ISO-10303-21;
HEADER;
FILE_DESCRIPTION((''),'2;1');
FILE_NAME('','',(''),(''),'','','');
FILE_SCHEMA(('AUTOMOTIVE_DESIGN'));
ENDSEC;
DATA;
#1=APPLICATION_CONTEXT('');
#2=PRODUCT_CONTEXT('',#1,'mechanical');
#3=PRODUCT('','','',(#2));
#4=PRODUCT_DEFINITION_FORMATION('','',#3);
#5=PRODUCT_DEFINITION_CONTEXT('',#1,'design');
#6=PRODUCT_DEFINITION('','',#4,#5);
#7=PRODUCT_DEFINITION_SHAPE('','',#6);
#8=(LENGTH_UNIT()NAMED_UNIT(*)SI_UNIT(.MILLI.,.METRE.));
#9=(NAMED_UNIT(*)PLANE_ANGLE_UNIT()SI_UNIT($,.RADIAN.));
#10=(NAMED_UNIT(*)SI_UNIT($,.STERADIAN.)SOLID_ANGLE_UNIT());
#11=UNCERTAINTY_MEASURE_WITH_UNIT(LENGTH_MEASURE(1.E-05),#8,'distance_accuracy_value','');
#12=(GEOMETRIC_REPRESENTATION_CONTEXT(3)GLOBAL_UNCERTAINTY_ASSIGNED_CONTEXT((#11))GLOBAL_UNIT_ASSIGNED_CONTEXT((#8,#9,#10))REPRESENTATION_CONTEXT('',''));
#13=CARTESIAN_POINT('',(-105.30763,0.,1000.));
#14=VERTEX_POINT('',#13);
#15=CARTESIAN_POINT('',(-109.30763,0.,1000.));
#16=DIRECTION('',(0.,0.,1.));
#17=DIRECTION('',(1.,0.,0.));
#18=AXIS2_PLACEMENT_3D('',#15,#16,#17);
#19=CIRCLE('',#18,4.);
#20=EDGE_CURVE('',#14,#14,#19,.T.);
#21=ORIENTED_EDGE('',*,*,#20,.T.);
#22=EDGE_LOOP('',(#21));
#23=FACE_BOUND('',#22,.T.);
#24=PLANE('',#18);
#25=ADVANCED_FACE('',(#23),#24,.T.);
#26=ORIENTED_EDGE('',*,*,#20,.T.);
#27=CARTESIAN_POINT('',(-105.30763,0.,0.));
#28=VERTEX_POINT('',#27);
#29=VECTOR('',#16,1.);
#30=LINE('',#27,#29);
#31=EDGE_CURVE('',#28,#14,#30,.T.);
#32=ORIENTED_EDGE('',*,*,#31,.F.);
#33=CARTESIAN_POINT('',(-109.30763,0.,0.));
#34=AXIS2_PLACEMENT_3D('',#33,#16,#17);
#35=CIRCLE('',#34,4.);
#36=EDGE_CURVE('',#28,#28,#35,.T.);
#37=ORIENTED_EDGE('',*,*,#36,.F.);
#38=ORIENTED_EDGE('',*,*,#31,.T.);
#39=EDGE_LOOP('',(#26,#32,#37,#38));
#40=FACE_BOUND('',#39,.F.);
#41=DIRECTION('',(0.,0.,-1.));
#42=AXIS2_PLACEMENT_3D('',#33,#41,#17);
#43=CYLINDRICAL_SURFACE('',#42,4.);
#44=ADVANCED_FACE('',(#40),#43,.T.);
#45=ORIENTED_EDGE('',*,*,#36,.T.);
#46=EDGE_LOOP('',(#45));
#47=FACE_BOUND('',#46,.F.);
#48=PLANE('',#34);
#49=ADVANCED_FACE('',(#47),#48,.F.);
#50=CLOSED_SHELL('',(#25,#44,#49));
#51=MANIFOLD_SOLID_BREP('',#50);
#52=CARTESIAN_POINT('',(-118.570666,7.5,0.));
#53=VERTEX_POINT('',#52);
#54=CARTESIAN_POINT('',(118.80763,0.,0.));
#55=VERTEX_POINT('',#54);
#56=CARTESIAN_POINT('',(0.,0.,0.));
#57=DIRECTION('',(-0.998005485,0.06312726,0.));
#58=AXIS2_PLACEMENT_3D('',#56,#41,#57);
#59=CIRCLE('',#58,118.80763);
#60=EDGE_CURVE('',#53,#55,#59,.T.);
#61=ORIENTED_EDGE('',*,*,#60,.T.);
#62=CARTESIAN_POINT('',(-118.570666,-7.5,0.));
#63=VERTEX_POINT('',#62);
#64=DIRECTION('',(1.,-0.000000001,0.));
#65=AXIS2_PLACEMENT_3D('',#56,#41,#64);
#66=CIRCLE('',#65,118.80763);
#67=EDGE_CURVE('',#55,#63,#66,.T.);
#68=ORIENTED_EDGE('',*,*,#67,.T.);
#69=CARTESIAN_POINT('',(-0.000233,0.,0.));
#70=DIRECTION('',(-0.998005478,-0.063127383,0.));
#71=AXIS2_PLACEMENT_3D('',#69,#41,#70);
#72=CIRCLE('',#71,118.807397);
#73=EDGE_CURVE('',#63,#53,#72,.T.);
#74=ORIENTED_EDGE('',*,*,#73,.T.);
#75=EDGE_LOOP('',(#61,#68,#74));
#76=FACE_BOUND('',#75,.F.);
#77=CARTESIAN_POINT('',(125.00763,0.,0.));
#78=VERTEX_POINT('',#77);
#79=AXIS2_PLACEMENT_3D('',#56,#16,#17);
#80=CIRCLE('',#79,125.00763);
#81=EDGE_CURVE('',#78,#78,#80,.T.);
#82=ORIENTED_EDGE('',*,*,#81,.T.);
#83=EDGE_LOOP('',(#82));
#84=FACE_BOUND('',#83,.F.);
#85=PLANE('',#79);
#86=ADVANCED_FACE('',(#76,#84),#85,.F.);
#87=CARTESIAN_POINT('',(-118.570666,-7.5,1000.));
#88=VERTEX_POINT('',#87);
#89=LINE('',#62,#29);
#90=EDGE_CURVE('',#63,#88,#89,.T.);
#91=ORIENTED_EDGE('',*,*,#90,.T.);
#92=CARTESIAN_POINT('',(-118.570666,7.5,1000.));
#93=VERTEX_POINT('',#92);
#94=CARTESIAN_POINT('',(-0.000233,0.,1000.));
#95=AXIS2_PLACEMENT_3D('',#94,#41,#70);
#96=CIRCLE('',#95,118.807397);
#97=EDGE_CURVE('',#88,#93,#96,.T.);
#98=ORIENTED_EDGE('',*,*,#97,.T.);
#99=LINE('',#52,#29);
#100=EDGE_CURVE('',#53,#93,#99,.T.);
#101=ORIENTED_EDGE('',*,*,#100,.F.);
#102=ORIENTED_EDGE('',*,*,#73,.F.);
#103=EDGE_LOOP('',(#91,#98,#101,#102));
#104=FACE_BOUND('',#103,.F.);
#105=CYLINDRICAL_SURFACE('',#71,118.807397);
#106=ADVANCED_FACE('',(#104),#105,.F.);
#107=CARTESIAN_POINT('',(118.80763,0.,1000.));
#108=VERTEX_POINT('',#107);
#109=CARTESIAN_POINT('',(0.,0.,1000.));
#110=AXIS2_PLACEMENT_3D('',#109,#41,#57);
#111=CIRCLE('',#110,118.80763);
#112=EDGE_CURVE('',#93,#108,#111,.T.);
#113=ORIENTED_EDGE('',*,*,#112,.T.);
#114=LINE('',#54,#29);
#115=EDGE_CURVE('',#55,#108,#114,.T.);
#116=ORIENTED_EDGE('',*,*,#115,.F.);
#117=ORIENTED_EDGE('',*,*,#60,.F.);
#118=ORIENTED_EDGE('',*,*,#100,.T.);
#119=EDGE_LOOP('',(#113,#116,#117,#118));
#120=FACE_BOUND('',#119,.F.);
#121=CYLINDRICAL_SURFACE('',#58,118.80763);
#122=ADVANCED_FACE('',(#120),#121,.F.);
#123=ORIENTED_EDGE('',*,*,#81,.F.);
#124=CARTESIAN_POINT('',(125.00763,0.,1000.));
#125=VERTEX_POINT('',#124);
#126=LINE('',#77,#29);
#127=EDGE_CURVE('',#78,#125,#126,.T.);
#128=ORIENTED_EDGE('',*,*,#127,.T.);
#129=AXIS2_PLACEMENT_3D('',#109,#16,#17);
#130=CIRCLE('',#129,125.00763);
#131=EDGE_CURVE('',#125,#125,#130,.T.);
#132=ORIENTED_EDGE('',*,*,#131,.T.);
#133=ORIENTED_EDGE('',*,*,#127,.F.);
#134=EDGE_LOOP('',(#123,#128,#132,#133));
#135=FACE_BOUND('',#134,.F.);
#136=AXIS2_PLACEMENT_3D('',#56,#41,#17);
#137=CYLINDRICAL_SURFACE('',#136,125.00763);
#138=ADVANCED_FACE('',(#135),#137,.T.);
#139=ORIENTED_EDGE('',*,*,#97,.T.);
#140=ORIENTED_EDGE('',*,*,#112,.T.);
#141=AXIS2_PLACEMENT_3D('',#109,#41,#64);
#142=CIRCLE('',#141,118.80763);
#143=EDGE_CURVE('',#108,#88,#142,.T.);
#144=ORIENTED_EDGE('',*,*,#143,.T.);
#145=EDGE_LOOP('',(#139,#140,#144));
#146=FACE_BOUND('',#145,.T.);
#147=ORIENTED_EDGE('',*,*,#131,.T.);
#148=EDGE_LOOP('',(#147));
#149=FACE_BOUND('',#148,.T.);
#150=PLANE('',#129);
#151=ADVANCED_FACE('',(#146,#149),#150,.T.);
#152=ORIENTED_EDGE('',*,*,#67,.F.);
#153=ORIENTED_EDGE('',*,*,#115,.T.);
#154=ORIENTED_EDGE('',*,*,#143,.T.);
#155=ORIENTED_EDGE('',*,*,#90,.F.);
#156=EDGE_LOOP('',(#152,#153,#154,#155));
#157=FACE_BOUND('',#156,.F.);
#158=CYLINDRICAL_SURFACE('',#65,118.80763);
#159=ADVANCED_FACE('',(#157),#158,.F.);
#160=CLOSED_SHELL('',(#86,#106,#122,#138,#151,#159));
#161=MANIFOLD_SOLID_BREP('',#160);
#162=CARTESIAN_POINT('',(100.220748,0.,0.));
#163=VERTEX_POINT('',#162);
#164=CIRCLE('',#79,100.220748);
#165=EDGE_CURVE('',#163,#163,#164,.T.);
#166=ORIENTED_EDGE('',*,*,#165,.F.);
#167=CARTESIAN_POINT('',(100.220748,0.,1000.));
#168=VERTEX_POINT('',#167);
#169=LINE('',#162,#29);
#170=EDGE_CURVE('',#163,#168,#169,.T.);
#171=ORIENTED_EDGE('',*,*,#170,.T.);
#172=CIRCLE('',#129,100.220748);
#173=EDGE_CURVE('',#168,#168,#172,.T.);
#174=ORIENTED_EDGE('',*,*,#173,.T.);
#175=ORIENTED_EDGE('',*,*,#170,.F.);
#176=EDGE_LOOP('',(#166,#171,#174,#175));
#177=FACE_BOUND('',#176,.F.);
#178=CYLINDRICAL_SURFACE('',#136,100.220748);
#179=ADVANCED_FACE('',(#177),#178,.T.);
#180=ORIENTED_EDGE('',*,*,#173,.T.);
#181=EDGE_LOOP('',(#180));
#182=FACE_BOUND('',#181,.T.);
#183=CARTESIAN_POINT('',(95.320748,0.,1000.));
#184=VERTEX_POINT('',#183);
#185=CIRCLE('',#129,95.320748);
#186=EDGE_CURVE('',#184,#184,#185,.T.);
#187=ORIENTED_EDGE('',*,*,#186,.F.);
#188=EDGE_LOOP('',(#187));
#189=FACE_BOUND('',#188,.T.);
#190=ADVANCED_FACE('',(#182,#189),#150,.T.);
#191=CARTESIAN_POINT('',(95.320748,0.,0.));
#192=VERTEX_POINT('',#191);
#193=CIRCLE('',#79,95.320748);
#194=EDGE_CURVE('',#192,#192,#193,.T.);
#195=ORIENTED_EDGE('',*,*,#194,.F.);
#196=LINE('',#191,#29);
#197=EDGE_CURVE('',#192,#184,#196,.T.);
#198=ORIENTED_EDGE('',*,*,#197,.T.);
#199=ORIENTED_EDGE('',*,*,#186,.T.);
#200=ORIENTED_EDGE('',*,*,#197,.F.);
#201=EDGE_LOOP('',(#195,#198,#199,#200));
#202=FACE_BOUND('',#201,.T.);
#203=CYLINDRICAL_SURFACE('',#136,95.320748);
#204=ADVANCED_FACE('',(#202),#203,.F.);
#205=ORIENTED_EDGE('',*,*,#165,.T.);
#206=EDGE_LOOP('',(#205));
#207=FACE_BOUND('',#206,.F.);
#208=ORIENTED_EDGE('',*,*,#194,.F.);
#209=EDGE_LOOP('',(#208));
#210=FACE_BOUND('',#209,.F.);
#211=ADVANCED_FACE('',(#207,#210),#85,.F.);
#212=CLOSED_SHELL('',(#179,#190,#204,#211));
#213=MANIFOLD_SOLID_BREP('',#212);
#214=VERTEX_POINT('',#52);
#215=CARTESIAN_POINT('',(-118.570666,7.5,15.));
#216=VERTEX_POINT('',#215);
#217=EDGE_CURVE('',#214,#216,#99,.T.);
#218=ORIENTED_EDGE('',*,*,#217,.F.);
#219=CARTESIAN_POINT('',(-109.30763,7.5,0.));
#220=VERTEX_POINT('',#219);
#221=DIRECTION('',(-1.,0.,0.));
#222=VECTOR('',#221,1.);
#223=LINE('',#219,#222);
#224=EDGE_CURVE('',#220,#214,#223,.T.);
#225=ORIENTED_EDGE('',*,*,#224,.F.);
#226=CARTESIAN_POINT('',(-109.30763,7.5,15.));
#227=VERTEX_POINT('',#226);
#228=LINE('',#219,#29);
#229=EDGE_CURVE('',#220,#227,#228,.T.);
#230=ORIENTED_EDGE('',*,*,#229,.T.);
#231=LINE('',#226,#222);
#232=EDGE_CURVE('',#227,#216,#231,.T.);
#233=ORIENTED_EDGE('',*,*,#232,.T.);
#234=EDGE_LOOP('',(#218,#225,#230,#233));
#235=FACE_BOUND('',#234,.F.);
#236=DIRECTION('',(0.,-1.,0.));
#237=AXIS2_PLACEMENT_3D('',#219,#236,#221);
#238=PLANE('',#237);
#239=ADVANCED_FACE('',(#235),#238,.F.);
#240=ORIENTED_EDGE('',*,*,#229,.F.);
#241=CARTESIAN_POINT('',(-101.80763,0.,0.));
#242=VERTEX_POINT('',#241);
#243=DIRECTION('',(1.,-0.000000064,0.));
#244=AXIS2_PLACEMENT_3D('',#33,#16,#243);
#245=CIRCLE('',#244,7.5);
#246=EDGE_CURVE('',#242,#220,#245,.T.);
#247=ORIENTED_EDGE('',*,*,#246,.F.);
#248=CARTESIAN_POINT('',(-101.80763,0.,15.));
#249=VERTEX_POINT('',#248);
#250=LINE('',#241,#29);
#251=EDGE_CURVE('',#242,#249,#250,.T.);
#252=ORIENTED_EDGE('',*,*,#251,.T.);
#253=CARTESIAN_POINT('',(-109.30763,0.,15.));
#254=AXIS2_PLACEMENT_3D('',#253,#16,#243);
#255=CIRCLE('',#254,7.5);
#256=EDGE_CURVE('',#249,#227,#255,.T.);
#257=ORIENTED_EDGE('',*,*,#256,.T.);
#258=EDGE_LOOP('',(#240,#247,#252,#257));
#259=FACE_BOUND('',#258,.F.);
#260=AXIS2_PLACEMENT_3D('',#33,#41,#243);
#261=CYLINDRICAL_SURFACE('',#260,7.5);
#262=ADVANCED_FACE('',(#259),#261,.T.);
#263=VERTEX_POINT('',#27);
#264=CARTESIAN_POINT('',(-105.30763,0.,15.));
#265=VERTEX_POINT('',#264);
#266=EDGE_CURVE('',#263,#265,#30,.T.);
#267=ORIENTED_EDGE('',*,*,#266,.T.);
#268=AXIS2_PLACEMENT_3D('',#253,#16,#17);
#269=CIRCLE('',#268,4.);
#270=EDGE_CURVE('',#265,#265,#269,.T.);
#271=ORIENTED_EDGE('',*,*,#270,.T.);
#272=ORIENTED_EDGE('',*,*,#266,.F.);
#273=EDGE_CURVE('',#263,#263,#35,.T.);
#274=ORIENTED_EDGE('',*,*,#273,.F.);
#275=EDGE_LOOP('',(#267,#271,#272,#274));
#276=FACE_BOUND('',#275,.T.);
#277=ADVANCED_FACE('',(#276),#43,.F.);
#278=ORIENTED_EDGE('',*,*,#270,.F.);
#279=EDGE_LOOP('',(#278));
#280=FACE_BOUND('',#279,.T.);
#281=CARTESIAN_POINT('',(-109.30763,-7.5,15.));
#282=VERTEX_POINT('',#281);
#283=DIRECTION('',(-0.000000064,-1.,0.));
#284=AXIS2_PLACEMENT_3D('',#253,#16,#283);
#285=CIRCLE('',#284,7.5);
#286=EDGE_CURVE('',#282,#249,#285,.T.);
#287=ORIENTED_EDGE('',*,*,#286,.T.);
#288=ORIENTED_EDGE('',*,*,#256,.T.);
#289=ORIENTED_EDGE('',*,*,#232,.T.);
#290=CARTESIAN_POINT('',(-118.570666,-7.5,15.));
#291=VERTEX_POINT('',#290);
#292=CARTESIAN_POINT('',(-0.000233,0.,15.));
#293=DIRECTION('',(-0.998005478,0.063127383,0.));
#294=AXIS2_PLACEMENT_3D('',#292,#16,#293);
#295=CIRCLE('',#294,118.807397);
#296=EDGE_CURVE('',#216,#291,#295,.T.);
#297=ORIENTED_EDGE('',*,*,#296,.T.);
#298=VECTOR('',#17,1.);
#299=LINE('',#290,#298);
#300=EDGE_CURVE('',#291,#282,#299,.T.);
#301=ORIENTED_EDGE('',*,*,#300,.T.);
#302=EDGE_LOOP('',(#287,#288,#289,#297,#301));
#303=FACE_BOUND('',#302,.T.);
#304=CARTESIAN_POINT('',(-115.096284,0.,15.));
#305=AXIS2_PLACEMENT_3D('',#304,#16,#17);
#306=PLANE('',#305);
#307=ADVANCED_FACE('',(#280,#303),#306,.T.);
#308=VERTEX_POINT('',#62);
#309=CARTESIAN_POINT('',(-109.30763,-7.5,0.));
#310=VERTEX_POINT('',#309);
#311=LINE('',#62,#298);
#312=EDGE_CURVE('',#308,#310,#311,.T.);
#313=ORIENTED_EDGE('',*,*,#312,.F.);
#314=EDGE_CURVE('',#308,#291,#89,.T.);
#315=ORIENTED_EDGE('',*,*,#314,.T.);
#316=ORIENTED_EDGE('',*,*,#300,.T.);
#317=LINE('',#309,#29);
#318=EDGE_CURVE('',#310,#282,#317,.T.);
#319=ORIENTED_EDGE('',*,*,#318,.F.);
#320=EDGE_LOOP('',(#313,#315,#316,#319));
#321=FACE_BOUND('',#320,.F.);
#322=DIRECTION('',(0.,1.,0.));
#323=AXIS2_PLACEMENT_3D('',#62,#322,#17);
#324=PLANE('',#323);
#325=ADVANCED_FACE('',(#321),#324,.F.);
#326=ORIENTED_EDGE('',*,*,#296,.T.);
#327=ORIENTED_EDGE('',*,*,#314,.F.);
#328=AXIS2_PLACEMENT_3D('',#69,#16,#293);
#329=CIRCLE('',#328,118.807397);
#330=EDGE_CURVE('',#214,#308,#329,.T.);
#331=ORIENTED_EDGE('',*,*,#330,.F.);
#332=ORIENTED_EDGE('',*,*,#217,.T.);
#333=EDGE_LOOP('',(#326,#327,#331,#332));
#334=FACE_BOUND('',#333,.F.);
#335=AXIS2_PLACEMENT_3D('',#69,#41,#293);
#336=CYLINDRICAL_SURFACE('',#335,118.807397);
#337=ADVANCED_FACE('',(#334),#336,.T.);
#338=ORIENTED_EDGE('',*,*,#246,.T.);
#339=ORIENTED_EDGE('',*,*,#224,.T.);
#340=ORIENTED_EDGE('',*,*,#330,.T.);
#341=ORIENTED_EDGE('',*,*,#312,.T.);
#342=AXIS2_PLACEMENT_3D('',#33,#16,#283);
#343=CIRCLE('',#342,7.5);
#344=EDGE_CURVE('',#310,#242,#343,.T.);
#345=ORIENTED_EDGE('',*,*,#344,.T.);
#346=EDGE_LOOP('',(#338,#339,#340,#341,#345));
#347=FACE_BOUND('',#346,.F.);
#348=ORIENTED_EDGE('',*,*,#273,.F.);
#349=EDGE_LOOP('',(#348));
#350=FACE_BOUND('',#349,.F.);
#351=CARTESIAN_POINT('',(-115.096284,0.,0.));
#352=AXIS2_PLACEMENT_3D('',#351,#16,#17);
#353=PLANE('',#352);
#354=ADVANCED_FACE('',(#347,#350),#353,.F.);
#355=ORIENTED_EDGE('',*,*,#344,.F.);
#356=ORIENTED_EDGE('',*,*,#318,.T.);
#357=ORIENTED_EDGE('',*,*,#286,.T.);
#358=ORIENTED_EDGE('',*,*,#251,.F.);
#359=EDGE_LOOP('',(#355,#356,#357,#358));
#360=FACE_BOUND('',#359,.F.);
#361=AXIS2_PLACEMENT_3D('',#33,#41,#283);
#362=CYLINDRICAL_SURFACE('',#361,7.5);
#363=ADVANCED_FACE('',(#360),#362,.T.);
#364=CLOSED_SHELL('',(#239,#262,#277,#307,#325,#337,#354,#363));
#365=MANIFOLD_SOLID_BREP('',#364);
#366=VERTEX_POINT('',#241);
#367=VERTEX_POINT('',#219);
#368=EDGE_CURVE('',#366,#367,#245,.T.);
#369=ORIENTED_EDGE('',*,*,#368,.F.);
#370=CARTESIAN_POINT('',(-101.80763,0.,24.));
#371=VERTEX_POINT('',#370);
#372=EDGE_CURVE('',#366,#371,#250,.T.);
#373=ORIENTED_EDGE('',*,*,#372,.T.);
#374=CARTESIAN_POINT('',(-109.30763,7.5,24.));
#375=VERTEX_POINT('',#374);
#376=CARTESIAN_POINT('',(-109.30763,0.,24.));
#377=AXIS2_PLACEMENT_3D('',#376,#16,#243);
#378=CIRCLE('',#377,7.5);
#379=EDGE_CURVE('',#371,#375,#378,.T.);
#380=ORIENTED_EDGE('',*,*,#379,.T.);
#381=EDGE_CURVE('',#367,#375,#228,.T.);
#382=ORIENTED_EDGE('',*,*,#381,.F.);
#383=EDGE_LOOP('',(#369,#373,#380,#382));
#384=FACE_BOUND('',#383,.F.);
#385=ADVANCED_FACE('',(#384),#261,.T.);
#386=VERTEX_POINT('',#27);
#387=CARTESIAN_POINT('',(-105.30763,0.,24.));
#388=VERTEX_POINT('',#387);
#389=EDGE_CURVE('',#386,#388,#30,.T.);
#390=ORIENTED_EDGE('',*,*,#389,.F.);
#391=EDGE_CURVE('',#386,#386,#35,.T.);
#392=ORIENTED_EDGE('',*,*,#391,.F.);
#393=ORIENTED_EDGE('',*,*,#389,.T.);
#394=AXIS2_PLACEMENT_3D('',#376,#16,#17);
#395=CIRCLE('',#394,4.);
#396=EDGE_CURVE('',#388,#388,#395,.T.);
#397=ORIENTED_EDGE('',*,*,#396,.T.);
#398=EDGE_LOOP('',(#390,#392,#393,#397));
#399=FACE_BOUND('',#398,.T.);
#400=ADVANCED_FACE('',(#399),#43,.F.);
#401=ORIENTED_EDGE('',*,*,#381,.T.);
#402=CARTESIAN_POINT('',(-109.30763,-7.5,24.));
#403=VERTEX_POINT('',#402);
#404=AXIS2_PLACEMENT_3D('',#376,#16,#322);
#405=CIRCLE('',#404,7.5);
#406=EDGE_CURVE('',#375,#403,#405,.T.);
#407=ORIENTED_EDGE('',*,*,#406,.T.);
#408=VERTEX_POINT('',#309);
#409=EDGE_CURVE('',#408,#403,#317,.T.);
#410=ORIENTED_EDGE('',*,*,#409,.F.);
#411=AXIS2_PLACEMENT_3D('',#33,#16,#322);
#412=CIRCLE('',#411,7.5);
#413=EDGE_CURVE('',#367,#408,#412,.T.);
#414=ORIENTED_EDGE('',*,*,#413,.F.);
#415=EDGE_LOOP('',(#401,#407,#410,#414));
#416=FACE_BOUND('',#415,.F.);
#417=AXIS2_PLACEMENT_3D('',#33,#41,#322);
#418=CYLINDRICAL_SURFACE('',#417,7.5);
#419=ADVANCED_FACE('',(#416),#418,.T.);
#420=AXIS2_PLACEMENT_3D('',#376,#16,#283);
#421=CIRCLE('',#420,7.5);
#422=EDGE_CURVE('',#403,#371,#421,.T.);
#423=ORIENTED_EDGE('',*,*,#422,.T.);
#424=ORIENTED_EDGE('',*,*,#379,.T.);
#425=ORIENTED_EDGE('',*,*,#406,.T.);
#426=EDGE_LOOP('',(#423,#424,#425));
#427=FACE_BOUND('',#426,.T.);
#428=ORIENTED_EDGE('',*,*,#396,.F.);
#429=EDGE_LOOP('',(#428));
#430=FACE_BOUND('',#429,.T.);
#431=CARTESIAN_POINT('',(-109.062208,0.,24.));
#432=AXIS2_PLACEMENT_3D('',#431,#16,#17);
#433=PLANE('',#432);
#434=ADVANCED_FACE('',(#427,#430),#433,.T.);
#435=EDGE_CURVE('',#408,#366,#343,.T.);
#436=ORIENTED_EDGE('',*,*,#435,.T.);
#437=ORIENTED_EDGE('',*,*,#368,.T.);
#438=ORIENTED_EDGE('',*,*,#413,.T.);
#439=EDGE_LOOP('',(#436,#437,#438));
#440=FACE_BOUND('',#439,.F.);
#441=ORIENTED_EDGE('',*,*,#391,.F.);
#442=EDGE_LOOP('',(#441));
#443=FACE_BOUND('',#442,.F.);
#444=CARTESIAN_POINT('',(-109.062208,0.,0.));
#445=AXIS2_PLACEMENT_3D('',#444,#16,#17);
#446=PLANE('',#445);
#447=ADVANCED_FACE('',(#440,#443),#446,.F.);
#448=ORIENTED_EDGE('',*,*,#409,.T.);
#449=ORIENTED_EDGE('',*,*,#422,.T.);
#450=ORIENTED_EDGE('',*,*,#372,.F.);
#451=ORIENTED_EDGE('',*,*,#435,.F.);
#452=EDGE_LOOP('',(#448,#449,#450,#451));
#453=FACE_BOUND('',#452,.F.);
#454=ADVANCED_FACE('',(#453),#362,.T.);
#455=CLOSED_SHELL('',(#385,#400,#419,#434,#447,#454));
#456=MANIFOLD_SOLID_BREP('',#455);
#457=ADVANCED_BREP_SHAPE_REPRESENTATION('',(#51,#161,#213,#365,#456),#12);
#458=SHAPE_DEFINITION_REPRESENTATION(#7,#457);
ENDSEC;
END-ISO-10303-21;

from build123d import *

# Parameters (mm, degrees)
F0_R     = 100.220748
F0_R_2   = 95.320748
F1_DEPTH = 1000
F0_R_3   = 4
F2_DEPTH = 1000
F3_DEPTH = 24
F0_R_4   = 125.00763
F4_DEPTH = 1000
F5_DEPTH = 15


with BuildPart() as f1:
    # F0 (on Top) → F1 (new body)
    with BuildSketch(Plane.XY):
        Circle(F0_R)
        Circle(F0_R_2, mode=Mode.SUBTRACT)
    extrude(amount=F1_DEPTH)


with BuildPart() as f2:
    # F0 (on Top) → F2 (new body)
    with BuildSketch(Plane.XY):
        with Locations((-109.30763, 0)):
            Circle(F0_R_3)
    extrude(amount=F2_DEPTH)


with BuildPart() as f3:
    # F0 (on Top) → F3 (new body)
    with BuildSketch(Plane.XY):
        with BuildLine():
            ThreePointArc((-101.80763, 0), (-104.004329, 5.303301), (-109.30763, 7.5))
            ThreePointArc((-109.30763, 7.5), (-116.80763, 0), (-109.30763, -7.5))
            ThreePointArc((-109.30763, -7.5), (-104.004329, -5.303301), (-101.80763, 0))
        make_face()
        with Locations((-109.30763, 0)):
            Circle(F0_R_3, mode=Mode.SUBTRACT)
    extrude(amount=F3_DEPTH)


with BuildPart() as f4:
    # F0 (on Top) → F4 (new body)
    with BuildSketch(Plane.XY):
        Circle(F0_R_4)
        with BuildLine():
            ThreePointArc((-118.570666, 7.5), (3.751871, 118.748374), (118.80763, 0))
            ThreePointArc((118.80763, 0), (3.751871, -118.748374), (-118.570666, -7.5))
            ThreePointArc((-118.570666, -7.5), (-118.80763, 0), (-118.570666, 7.5))
        make_face(mode=Mode.SUBTRACT)
    extrude(amount=F4_DEPTH)


with BuildPart() as f5:
    # F0 (on Top) → F5 (new body)
    with BuildSketch(Plane.XY):
        with BuildLine():
            Line((-109.30763, 7.5), (-118.570666, 7.5))
            ThreePointArc((-118.570666, 7.5), (-118.80763, 0), (-118.570666, -7.5))
            Line((-118.570666, -7.5), (-109.30763, -7.5))
            ThreePointArc((-109.30763, -7.5), (-116.80763, 0), (-109.30763, 7.5))
        make_face()
        with BuildLine():
            ThreePointArc((-101.80763, 0), (-104.004329, 5.303301), (-109.30763, 7.5))
            ThreePointArc((-109.30763, 7.5), (-116.80763, 0), (-109.30763, -7.5))
            ThreePointArc((-109.30763, -7.5), (-104.004329, -5.303301), (-101.80763, 0))
        make_face()
        with Locations((-109.30763, 0)):
            Circle(F0_R_3, mode=Mode.SUBTRACT)
    extrude(amount=F5_DEPTH)


solid = Compound([f1.part, f2.part, f3.part, f4.part, f5.part])
